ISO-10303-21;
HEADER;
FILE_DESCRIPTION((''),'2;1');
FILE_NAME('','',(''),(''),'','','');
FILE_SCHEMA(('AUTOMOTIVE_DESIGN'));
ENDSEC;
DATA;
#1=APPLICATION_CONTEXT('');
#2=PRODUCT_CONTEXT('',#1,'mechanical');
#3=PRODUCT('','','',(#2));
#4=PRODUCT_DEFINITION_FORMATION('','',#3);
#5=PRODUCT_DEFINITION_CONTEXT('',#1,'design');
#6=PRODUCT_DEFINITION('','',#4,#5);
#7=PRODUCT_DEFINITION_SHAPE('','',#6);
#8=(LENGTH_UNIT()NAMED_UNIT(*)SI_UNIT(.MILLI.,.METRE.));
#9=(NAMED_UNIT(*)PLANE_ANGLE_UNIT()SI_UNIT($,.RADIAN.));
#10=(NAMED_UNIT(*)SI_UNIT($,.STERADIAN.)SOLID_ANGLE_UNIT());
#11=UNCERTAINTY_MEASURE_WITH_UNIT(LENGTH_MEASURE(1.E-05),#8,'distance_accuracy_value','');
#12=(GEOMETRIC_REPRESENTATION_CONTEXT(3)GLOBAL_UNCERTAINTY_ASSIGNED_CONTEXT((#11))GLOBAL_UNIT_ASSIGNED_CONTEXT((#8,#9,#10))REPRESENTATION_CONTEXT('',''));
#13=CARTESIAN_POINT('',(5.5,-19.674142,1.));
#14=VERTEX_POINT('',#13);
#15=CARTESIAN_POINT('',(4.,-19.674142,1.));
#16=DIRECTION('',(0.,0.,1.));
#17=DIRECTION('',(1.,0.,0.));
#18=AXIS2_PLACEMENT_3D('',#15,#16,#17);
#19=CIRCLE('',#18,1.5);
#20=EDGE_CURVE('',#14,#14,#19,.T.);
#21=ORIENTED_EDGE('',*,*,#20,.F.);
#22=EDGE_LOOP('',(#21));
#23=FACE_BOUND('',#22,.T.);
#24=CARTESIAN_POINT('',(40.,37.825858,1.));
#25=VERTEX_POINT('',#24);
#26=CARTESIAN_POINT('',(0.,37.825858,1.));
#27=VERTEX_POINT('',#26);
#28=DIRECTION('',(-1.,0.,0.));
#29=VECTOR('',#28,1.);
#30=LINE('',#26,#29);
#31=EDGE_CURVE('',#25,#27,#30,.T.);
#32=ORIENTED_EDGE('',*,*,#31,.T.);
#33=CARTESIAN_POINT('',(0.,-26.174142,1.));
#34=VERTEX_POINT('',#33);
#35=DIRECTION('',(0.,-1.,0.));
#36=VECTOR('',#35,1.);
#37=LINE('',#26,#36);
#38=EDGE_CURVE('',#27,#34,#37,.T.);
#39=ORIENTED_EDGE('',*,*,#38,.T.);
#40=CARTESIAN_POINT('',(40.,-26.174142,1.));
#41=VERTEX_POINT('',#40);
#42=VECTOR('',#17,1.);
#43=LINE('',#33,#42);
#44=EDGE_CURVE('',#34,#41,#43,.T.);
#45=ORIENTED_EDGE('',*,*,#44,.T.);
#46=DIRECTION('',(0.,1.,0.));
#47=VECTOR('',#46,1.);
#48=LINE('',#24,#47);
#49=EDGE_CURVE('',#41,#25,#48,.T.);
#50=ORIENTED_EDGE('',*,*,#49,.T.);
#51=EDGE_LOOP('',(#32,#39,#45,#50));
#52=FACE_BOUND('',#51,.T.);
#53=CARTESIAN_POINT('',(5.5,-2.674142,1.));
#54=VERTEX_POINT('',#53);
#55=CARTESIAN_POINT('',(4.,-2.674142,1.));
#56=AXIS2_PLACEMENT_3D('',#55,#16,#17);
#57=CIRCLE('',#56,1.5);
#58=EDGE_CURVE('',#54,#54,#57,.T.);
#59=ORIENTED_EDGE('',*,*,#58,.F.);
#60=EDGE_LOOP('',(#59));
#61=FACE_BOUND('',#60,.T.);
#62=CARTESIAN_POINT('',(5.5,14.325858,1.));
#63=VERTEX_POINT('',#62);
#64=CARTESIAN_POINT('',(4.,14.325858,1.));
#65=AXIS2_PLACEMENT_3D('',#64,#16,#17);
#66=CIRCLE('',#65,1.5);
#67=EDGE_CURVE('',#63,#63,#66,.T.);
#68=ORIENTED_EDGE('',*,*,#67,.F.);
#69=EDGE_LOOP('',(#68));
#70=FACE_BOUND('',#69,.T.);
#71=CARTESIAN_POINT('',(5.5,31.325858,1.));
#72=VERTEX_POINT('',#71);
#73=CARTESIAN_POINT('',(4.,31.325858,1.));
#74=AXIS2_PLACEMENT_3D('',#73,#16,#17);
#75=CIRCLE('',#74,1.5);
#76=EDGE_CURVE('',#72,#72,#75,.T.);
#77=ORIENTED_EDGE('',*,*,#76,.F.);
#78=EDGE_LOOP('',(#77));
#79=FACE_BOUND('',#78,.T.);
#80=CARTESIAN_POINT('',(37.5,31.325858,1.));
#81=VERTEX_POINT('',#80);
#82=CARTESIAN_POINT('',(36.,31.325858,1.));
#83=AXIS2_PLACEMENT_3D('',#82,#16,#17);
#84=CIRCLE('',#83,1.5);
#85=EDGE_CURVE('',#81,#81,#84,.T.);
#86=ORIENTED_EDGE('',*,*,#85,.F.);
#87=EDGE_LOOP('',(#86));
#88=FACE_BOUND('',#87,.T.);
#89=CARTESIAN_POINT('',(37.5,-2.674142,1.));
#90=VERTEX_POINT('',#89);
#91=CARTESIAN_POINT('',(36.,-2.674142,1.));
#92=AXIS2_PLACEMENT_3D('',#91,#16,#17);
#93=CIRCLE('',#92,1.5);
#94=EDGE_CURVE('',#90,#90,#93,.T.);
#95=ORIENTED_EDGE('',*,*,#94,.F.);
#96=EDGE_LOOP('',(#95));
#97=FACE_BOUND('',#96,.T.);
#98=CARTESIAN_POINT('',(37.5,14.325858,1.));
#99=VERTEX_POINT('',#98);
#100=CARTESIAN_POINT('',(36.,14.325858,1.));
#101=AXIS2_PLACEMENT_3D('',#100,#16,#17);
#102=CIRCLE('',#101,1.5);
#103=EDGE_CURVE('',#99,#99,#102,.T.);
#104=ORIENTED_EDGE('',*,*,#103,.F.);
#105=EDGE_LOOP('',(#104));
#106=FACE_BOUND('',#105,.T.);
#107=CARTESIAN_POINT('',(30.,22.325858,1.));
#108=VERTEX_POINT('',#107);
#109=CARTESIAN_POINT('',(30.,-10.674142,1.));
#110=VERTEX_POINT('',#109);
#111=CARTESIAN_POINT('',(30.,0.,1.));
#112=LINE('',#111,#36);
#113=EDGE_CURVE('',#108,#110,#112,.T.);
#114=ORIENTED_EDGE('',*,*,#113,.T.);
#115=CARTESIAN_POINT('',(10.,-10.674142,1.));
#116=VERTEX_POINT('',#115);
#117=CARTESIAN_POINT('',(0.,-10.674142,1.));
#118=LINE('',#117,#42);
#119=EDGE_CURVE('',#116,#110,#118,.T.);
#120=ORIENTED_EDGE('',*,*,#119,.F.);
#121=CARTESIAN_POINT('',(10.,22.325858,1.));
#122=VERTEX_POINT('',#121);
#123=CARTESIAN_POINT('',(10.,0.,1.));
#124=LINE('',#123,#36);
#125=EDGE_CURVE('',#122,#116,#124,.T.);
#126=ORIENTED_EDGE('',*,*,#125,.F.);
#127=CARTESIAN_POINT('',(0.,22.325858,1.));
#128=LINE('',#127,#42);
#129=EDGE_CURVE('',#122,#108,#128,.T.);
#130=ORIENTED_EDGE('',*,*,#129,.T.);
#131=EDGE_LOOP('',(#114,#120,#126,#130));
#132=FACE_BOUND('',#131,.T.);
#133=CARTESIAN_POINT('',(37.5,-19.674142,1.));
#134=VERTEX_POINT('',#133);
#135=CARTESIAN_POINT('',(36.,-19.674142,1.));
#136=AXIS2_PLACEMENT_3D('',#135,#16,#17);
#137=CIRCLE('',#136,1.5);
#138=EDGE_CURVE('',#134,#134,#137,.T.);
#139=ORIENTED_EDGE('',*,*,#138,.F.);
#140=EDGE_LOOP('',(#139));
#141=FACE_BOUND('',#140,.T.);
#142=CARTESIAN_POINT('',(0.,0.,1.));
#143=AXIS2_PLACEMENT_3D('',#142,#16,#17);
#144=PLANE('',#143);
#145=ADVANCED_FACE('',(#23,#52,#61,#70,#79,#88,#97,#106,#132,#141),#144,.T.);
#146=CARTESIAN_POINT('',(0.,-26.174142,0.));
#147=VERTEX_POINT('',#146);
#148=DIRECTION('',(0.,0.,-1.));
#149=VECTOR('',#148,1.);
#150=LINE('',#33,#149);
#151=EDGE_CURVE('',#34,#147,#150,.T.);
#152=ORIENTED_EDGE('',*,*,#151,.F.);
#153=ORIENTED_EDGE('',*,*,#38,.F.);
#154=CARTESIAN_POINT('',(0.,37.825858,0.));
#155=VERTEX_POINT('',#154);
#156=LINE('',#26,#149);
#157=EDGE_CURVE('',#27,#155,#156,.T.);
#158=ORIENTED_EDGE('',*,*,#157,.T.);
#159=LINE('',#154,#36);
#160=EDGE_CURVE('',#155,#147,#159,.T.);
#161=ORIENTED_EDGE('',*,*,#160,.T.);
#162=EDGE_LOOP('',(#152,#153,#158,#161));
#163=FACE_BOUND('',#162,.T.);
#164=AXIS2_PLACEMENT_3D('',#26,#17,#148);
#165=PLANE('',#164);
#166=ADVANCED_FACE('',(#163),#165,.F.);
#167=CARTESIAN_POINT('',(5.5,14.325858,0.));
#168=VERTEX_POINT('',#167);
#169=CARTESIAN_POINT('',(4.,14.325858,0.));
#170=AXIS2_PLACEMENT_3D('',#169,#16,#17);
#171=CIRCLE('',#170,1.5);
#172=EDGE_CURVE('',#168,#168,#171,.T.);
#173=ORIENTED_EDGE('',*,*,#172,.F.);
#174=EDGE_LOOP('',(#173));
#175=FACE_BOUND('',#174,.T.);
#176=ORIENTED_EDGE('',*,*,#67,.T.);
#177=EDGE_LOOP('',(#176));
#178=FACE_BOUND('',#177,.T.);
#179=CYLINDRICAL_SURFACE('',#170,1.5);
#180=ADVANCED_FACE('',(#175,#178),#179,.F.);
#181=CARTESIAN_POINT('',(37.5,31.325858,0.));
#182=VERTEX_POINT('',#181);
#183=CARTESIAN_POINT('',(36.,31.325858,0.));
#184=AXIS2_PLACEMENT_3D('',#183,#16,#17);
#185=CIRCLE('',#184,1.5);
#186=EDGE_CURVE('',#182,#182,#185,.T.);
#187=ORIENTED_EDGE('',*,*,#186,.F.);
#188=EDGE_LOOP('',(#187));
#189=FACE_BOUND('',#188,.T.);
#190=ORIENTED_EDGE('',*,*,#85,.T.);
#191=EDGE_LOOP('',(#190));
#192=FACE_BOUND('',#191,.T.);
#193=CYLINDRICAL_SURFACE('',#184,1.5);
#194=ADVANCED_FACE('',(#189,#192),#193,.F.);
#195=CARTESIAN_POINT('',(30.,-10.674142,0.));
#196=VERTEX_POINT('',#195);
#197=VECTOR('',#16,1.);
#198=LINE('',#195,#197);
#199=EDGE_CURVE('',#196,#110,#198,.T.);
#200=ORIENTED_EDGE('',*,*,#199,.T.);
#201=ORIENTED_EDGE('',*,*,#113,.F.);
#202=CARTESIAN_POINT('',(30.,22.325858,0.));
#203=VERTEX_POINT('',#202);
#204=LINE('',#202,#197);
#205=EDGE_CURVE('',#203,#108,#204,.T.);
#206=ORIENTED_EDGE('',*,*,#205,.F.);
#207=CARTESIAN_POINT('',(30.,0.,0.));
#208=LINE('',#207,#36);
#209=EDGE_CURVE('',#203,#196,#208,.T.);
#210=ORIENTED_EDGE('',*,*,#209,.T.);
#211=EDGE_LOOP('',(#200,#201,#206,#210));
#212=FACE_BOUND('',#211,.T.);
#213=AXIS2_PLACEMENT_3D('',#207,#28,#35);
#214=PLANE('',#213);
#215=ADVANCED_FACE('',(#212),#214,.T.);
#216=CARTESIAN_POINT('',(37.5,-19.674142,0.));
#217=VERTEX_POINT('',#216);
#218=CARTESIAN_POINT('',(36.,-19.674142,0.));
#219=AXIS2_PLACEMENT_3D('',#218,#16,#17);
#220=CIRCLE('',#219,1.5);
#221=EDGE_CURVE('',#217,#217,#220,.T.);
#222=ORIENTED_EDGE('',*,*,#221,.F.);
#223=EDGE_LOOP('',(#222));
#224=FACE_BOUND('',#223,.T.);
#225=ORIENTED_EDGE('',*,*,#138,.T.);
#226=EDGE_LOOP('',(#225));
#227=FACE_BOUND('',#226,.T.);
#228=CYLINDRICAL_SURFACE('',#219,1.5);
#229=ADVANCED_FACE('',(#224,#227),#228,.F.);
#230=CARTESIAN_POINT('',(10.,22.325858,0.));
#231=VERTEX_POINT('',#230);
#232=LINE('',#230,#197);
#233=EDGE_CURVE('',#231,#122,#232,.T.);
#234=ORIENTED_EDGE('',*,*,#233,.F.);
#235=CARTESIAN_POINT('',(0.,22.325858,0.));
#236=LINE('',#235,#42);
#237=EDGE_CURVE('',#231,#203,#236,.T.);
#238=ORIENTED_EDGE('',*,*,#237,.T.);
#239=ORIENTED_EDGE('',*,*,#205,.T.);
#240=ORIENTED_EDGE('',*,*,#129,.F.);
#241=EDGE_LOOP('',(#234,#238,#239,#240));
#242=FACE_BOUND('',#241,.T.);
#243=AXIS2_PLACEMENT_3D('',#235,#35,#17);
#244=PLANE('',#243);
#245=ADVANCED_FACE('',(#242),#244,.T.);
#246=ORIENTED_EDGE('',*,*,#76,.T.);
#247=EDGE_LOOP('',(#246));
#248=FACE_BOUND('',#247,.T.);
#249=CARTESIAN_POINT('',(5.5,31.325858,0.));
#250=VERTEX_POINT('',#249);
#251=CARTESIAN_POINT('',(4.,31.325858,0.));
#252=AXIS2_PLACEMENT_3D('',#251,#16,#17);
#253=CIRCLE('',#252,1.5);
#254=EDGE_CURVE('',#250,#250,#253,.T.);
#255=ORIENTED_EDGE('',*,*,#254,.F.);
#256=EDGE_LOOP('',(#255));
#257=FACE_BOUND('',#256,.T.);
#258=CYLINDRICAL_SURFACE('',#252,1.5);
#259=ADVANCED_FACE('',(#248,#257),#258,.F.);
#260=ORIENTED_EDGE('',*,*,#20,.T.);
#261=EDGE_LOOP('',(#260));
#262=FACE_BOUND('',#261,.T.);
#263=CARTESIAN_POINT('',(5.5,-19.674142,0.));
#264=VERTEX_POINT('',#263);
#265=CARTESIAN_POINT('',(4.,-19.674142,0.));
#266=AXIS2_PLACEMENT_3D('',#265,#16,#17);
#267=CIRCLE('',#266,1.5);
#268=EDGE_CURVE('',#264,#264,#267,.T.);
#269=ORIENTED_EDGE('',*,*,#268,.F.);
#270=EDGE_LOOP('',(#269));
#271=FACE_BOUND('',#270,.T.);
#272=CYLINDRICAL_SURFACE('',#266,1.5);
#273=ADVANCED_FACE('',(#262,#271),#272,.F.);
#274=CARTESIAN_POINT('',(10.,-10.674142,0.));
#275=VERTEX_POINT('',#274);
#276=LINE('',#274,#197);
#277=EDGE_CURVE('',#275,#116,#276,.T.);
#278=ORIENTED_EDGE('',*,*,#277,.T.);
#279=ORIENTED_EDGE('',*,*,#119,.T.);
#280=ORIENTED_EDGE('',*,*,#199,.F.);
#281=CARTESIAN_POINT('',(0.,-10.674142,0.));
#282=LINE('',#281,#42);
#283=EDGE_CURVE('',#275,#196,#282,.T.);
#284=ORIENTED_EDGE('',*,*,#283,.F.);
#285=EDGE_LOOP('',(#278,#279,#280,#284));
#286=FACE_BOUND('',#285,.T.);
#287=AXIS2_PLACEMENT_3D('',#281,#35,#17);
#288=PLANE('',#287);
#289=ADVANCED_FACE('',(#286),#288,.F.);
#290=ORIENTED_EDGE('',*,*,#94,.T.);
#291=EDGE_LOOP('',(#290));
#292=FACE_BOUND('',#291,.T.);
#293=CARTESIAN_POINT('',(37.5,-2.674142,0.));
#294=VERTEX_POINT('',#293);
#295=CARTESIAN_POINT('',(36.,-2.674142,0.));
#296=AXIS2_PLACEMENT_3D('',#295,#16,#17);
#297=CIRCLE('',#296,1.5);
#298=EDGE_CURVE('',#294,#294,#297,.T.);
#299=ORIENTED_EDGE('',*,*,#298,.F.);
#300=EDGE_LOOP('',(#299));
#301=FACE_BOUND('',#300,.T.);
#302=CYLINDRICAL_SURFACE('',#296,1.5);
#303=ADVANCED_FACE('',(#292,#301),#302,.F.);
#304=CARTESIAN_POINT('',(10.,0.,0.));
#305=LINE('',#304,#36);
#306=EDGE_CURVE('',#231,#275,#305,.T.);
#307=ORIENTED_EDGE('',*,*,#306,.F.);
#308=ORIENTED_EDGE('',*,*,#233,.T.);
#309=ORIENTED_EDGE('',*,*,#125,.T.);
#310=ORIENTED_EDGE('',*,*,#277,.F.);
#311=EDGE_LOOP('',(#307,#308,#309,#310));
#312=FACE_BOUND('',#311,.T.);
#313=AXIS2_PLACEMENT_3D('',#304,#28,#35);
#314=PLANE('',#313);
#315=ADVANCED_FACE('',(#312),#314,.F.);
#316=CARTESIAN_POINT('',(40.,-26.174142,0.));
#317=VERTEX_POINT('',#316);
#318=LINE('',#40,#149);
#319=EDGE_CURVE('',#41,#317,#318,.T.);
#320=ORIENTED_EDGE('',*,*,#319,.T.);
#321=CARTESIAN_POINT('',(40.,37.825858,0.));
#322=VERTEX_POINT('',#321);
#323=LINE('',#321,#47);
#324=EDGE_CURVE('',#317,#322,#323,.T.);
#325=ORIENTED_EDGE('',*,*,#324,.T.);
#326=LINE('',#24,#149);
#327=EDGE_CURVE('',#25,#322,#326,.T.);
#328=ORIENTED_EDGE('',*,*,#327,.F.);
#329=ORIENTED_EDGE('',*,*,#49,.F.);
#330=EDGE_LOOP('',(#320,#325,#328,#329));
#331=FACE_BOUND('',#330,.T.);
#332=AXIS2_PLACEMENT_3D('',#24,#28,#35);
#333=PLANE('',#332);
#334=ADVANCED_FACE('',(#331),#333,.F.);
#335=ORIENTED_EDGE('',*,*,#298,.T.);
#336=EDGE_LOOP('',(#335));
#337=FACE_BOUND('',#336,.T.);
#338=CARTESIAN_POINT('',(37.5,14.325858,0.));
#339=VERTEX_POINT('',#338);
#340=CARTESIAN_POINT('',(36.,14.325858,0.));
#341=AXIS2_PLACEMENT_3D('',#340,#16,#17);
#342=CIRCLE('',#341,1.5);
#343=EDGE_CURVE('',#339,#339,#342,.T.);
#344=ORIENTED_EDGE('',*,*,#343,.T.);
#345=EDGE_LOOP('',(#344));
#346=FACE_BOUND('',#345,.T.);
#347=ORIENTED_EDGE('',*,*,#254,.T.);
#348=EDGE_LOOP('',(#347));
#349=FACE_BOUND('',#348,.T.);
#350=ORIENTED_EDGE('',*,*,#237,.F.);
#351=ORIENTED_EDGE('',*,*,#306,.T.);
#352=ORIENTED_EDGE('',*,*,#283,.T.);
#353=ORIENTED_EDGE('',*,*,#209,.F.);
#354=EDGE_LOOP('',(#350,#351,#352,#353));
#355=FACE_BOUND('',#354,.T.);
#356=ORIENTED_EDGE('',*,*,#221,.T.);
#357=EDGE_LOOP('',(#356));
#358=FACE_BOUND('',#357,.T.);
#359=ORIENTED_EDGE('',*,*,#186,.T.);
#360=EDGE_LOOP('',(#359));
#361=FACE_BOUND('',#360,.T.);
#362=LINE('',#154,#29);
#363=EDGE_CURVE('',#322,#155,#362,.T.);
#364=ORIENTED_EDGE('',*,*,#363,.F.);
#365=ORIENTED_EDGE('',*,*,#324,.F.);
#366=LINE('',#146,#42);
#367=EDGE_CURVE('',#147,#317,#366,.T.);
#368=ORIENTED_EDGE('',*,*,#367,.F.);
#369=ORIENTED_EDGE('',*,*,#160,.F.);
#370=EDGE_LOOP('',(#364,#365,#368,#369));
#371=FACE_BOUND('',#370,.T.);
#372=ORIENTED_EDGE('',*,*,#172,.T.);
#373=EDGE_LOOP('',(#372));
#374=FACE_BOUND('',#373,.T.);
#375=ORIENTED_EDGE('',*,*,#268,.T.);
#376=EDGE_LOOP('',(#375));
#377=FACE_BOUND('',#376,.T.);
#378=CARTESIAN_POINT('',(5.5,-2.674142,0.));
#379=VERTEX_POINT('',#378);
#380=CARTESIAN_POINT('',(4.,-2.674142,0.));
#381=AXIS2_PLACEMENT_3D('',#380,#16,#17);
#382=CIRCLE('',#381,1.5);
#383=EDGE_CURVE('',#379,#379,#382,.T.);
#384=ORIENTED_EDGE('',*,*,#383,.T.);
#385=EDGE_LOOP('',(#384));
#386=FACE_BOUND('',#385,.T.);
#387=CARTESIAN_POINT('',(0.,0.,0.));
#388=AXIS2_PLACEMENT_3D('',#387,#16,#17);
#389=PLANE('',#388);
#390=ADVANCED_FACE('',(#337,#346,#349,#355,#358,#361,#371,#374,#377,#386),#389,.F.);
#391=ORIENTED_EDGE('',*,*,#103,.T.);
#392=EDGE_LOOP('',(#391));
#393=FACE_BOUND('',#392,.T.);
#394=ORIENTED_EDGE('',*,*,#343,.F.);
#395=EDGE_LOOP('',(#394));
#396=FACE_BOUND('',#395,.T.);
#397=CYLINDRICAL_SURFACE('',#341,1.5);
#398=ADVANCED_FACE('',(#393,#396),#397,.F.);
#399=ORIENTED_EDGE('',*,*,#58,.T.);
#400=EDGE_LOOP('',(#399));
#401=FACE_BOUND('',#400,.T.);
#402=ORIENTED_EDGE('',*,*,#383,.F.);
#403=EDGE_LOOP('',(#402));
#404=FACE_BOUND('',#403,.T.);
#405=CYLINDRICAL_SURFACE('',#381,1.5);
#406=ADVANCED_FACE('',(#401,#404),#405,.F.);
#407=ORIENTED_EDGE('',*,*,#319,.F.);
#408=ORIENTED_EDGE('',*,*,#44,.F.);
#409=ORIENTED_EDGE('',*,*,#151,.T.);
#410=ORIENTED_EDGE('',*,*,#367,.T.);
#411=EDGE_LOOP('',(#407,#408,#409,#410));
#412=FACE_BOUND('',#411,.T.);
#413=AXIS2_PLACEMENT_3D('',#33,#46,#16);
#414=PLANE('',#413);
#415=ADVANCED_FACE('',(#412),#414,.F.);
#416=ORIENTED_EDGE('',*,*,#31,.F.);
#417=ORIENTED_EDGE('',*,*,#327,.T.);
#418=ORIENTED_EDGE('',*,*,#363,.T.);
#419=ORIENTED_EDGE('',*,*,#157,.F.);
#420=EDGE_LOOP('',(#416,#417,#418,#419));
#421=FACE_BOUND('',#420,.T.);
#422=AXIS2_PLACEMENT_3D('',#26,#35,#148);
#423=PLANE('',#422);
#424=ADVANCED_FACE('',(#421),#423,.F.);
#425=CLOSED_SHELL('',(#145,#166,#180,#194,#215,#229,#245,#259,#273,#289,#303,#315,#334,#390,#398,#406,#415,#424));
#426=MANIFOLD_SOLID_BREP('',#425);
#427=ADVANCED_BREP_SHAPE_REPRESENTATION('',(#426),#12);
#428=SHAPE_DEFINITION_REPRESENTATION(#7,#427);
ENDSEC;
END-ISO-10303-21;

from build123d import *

# Parameters (mm, degrees)
SKETCH1_W               = 40
SKETCH1_H               = 64
BOSS_EXTRUDE1_DEPTH     = 1
SKETCH2_W               = 20
SKETCH2_H               = 33
SKETCH2_R               = 1.5
CUT_EXTRUDE1_DEPTH      = 1
CUT_EXTRUDE1_DEPTH_BACK = 2


with BuildPart() as part:
    # Sketch1 → Boss-Extrude1 (new body)
    with BuildSketch(Plane.XY):
        with Locations((20, 5.82585752)):
            Rectangle(SKETCH1_W, SKETCH1_H)
    extrude(amount=BOSS_EXTRUDE1_DEPTH)

    # Sketch2 → Cut-Extrude1 (cut, two sides)
    with BuildSketch(Plane.XY.offset(1)) as cut_extrude1_sk:
        with Locations((20, 5.82585752)):
            Rectangle(SKETCH2_W, SKETCH2_H)
        with Locations((4, -19.67414248)):
            Circle(SKETCH2_R)
        with Locations((4, -2.67414248)):
            Circle(SKETCH2_R)
        with Locations((4, 14.32585752)):
            Circle(SKETCH2_R)
        with Locations((4, 31.32585752)):
            Circle(SKETCH2_R)
        with Locations((36, -19.67414248)):
            Circle(SKETCH2_R)
        with Locations((36, -2.67414248)):
            Circle(SKETCH2_R)
        with Locations((36, 14.32585752)):
            Circle(SKETCH2_R)
        with Locations((36, 31.32585752)):
            Circle(SKETCH2_R)
    extrude(amount=CUT_EXTRUDE1_DEPTH, mode=Mode.SUBTRACT)
    extrude(cut_extrude1_sk.sketch, amount=-CUT_EXTRUDE1_DEPTH_BACK, mode=Mode.SUBTRACT)


solid = part.part
